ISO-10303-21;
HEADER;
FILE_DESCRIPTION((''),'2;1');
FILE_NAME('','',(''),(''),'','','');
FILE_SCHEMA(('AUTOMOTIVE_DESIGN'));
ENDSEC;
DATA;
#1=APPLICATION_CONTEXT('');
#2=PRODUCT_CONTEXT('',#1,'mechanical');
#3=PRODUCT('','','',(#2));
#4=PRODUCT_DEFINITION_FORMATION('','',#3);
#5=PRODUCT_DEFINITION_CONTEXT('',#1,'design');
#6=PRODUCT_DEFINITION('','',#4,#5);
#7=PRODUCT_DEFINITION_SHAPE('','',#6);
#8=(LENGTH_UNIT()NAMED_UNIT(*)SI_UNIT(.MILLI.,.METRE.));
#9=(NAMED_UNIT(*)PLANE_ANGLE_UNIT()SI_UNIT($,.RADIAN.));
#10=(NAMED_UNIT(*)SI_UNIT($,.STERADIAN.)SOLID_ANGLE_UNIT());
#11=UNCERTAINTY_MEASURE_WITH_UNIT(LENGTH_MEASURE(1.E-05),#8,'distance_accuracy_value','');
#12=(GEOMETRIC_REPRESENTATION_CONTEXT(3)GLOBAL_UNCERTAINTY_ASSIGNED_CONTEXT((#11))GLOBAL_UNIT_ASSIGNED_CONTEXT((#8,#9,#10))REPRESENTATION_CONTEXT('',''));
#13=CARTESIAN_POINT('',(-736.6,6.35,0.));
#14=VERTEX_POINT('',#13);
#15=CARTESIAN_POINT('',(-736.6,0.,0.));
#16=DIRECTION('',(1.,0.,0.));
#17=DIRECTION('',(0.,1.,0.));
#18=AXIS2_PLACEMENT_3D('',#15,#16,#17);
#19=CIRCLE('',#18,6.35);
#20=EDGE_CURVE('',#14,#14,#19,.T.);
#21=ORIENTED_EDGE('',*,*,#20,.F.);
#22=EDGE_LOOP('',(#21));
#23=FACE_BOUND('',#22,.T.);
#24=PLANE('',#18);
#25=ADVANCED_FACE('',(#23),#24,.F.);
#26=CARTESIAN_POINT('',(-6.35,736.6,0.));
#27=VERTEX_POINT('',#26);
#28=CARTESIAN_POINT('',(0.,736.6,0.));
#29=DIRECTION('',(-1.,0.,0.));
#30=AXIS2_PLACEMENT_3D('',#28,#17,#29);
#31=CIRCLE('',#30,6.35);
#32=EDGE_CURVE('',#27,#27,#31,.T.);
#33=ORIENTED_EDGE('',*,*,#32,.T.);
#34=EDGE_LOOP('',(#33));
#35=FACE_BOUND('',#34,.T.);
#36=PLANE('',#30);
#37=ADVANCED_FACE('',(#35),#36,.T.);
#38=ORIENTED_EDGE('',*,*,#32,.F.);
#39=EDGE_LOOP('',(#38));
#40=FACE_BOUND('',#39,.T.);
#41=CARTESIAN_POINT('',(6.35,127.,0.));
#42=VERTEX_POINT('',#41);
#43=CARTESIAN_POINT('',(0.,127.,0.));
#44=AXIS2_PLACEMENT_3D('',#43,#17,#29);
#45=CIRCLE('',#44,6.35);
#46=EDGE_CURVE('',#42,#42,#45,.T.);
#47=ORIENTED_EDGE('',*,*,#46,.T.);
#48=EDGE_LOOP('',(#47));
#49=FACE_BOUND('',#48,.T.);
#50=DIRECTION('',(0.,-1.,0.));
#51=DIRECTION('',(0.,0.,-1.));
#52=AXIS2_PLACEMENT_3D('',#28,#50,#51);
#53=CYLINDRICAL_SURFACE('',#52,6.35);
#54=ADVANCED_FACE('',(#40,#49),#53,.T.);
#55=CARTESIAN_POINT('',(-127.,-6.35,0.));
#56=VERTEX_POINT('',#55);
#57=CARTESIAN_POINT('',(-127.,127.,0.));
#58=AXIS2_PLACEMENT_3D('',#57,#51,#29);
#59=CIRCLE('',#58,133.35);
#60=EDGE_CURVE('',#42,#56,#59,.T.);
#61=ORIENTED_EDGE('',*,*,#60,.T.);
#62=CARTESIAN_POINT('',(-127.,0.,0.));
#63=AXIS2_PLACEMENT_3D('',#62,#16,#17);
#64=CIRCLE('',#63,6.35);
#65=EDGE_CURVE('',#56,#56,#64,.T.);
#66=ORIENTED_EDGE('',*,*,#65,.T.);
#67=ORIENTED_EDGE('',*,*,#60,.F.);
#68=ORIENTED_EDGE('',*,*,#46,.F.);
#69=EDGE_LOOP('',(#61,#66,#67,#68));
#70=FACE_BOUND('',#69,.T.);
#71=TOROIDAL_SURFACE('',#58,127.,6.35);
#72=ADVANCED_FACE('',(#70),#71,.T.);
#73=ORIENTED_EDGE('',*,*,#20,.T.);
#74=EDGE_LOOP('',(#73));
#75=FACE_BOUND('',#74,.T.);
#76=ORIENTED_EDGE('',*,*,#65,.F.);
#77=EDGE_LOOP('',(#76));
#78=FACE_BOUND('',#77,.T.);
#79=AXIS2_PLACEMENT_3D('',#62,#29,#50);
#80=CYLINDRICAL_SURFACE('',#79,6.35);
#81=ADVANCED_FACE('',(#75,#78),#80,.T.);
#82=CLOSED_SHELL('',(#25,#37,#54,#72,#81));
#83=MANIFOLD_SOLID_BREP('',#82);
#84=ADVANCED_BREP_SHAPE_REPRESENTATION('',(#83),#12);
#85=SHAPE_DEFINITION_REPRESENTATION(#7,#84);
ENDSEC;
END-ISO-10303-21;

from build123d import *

# Parameters (mm, degrees)
SWEEP1_PROFILE_R = 6.35


with BuildPart() as part:
    # Sweep1: sweep along a path in Sketch1
    with BuildLine(Plane.XY) as sweep1_path:
        Line((0, 736.6), (0, 127))
        ThreePointArc((0, 127), (-37.197438789, 37.197438789), (-127, 0))
        Line((-127, 0), (-736.6, 0))
    # Sweep1 profile (on start of the path) → Sweep1 (sweep)
    with BuildSketch(Plane(origin=(0, 736.6, 0), x_dir=(0, 0, -1), z_dir=(0, -1, 0))):
        Circle(SWEEP1_PROFILE_R)
    sweep(path=sweep1_path.line)


solid = part.part
